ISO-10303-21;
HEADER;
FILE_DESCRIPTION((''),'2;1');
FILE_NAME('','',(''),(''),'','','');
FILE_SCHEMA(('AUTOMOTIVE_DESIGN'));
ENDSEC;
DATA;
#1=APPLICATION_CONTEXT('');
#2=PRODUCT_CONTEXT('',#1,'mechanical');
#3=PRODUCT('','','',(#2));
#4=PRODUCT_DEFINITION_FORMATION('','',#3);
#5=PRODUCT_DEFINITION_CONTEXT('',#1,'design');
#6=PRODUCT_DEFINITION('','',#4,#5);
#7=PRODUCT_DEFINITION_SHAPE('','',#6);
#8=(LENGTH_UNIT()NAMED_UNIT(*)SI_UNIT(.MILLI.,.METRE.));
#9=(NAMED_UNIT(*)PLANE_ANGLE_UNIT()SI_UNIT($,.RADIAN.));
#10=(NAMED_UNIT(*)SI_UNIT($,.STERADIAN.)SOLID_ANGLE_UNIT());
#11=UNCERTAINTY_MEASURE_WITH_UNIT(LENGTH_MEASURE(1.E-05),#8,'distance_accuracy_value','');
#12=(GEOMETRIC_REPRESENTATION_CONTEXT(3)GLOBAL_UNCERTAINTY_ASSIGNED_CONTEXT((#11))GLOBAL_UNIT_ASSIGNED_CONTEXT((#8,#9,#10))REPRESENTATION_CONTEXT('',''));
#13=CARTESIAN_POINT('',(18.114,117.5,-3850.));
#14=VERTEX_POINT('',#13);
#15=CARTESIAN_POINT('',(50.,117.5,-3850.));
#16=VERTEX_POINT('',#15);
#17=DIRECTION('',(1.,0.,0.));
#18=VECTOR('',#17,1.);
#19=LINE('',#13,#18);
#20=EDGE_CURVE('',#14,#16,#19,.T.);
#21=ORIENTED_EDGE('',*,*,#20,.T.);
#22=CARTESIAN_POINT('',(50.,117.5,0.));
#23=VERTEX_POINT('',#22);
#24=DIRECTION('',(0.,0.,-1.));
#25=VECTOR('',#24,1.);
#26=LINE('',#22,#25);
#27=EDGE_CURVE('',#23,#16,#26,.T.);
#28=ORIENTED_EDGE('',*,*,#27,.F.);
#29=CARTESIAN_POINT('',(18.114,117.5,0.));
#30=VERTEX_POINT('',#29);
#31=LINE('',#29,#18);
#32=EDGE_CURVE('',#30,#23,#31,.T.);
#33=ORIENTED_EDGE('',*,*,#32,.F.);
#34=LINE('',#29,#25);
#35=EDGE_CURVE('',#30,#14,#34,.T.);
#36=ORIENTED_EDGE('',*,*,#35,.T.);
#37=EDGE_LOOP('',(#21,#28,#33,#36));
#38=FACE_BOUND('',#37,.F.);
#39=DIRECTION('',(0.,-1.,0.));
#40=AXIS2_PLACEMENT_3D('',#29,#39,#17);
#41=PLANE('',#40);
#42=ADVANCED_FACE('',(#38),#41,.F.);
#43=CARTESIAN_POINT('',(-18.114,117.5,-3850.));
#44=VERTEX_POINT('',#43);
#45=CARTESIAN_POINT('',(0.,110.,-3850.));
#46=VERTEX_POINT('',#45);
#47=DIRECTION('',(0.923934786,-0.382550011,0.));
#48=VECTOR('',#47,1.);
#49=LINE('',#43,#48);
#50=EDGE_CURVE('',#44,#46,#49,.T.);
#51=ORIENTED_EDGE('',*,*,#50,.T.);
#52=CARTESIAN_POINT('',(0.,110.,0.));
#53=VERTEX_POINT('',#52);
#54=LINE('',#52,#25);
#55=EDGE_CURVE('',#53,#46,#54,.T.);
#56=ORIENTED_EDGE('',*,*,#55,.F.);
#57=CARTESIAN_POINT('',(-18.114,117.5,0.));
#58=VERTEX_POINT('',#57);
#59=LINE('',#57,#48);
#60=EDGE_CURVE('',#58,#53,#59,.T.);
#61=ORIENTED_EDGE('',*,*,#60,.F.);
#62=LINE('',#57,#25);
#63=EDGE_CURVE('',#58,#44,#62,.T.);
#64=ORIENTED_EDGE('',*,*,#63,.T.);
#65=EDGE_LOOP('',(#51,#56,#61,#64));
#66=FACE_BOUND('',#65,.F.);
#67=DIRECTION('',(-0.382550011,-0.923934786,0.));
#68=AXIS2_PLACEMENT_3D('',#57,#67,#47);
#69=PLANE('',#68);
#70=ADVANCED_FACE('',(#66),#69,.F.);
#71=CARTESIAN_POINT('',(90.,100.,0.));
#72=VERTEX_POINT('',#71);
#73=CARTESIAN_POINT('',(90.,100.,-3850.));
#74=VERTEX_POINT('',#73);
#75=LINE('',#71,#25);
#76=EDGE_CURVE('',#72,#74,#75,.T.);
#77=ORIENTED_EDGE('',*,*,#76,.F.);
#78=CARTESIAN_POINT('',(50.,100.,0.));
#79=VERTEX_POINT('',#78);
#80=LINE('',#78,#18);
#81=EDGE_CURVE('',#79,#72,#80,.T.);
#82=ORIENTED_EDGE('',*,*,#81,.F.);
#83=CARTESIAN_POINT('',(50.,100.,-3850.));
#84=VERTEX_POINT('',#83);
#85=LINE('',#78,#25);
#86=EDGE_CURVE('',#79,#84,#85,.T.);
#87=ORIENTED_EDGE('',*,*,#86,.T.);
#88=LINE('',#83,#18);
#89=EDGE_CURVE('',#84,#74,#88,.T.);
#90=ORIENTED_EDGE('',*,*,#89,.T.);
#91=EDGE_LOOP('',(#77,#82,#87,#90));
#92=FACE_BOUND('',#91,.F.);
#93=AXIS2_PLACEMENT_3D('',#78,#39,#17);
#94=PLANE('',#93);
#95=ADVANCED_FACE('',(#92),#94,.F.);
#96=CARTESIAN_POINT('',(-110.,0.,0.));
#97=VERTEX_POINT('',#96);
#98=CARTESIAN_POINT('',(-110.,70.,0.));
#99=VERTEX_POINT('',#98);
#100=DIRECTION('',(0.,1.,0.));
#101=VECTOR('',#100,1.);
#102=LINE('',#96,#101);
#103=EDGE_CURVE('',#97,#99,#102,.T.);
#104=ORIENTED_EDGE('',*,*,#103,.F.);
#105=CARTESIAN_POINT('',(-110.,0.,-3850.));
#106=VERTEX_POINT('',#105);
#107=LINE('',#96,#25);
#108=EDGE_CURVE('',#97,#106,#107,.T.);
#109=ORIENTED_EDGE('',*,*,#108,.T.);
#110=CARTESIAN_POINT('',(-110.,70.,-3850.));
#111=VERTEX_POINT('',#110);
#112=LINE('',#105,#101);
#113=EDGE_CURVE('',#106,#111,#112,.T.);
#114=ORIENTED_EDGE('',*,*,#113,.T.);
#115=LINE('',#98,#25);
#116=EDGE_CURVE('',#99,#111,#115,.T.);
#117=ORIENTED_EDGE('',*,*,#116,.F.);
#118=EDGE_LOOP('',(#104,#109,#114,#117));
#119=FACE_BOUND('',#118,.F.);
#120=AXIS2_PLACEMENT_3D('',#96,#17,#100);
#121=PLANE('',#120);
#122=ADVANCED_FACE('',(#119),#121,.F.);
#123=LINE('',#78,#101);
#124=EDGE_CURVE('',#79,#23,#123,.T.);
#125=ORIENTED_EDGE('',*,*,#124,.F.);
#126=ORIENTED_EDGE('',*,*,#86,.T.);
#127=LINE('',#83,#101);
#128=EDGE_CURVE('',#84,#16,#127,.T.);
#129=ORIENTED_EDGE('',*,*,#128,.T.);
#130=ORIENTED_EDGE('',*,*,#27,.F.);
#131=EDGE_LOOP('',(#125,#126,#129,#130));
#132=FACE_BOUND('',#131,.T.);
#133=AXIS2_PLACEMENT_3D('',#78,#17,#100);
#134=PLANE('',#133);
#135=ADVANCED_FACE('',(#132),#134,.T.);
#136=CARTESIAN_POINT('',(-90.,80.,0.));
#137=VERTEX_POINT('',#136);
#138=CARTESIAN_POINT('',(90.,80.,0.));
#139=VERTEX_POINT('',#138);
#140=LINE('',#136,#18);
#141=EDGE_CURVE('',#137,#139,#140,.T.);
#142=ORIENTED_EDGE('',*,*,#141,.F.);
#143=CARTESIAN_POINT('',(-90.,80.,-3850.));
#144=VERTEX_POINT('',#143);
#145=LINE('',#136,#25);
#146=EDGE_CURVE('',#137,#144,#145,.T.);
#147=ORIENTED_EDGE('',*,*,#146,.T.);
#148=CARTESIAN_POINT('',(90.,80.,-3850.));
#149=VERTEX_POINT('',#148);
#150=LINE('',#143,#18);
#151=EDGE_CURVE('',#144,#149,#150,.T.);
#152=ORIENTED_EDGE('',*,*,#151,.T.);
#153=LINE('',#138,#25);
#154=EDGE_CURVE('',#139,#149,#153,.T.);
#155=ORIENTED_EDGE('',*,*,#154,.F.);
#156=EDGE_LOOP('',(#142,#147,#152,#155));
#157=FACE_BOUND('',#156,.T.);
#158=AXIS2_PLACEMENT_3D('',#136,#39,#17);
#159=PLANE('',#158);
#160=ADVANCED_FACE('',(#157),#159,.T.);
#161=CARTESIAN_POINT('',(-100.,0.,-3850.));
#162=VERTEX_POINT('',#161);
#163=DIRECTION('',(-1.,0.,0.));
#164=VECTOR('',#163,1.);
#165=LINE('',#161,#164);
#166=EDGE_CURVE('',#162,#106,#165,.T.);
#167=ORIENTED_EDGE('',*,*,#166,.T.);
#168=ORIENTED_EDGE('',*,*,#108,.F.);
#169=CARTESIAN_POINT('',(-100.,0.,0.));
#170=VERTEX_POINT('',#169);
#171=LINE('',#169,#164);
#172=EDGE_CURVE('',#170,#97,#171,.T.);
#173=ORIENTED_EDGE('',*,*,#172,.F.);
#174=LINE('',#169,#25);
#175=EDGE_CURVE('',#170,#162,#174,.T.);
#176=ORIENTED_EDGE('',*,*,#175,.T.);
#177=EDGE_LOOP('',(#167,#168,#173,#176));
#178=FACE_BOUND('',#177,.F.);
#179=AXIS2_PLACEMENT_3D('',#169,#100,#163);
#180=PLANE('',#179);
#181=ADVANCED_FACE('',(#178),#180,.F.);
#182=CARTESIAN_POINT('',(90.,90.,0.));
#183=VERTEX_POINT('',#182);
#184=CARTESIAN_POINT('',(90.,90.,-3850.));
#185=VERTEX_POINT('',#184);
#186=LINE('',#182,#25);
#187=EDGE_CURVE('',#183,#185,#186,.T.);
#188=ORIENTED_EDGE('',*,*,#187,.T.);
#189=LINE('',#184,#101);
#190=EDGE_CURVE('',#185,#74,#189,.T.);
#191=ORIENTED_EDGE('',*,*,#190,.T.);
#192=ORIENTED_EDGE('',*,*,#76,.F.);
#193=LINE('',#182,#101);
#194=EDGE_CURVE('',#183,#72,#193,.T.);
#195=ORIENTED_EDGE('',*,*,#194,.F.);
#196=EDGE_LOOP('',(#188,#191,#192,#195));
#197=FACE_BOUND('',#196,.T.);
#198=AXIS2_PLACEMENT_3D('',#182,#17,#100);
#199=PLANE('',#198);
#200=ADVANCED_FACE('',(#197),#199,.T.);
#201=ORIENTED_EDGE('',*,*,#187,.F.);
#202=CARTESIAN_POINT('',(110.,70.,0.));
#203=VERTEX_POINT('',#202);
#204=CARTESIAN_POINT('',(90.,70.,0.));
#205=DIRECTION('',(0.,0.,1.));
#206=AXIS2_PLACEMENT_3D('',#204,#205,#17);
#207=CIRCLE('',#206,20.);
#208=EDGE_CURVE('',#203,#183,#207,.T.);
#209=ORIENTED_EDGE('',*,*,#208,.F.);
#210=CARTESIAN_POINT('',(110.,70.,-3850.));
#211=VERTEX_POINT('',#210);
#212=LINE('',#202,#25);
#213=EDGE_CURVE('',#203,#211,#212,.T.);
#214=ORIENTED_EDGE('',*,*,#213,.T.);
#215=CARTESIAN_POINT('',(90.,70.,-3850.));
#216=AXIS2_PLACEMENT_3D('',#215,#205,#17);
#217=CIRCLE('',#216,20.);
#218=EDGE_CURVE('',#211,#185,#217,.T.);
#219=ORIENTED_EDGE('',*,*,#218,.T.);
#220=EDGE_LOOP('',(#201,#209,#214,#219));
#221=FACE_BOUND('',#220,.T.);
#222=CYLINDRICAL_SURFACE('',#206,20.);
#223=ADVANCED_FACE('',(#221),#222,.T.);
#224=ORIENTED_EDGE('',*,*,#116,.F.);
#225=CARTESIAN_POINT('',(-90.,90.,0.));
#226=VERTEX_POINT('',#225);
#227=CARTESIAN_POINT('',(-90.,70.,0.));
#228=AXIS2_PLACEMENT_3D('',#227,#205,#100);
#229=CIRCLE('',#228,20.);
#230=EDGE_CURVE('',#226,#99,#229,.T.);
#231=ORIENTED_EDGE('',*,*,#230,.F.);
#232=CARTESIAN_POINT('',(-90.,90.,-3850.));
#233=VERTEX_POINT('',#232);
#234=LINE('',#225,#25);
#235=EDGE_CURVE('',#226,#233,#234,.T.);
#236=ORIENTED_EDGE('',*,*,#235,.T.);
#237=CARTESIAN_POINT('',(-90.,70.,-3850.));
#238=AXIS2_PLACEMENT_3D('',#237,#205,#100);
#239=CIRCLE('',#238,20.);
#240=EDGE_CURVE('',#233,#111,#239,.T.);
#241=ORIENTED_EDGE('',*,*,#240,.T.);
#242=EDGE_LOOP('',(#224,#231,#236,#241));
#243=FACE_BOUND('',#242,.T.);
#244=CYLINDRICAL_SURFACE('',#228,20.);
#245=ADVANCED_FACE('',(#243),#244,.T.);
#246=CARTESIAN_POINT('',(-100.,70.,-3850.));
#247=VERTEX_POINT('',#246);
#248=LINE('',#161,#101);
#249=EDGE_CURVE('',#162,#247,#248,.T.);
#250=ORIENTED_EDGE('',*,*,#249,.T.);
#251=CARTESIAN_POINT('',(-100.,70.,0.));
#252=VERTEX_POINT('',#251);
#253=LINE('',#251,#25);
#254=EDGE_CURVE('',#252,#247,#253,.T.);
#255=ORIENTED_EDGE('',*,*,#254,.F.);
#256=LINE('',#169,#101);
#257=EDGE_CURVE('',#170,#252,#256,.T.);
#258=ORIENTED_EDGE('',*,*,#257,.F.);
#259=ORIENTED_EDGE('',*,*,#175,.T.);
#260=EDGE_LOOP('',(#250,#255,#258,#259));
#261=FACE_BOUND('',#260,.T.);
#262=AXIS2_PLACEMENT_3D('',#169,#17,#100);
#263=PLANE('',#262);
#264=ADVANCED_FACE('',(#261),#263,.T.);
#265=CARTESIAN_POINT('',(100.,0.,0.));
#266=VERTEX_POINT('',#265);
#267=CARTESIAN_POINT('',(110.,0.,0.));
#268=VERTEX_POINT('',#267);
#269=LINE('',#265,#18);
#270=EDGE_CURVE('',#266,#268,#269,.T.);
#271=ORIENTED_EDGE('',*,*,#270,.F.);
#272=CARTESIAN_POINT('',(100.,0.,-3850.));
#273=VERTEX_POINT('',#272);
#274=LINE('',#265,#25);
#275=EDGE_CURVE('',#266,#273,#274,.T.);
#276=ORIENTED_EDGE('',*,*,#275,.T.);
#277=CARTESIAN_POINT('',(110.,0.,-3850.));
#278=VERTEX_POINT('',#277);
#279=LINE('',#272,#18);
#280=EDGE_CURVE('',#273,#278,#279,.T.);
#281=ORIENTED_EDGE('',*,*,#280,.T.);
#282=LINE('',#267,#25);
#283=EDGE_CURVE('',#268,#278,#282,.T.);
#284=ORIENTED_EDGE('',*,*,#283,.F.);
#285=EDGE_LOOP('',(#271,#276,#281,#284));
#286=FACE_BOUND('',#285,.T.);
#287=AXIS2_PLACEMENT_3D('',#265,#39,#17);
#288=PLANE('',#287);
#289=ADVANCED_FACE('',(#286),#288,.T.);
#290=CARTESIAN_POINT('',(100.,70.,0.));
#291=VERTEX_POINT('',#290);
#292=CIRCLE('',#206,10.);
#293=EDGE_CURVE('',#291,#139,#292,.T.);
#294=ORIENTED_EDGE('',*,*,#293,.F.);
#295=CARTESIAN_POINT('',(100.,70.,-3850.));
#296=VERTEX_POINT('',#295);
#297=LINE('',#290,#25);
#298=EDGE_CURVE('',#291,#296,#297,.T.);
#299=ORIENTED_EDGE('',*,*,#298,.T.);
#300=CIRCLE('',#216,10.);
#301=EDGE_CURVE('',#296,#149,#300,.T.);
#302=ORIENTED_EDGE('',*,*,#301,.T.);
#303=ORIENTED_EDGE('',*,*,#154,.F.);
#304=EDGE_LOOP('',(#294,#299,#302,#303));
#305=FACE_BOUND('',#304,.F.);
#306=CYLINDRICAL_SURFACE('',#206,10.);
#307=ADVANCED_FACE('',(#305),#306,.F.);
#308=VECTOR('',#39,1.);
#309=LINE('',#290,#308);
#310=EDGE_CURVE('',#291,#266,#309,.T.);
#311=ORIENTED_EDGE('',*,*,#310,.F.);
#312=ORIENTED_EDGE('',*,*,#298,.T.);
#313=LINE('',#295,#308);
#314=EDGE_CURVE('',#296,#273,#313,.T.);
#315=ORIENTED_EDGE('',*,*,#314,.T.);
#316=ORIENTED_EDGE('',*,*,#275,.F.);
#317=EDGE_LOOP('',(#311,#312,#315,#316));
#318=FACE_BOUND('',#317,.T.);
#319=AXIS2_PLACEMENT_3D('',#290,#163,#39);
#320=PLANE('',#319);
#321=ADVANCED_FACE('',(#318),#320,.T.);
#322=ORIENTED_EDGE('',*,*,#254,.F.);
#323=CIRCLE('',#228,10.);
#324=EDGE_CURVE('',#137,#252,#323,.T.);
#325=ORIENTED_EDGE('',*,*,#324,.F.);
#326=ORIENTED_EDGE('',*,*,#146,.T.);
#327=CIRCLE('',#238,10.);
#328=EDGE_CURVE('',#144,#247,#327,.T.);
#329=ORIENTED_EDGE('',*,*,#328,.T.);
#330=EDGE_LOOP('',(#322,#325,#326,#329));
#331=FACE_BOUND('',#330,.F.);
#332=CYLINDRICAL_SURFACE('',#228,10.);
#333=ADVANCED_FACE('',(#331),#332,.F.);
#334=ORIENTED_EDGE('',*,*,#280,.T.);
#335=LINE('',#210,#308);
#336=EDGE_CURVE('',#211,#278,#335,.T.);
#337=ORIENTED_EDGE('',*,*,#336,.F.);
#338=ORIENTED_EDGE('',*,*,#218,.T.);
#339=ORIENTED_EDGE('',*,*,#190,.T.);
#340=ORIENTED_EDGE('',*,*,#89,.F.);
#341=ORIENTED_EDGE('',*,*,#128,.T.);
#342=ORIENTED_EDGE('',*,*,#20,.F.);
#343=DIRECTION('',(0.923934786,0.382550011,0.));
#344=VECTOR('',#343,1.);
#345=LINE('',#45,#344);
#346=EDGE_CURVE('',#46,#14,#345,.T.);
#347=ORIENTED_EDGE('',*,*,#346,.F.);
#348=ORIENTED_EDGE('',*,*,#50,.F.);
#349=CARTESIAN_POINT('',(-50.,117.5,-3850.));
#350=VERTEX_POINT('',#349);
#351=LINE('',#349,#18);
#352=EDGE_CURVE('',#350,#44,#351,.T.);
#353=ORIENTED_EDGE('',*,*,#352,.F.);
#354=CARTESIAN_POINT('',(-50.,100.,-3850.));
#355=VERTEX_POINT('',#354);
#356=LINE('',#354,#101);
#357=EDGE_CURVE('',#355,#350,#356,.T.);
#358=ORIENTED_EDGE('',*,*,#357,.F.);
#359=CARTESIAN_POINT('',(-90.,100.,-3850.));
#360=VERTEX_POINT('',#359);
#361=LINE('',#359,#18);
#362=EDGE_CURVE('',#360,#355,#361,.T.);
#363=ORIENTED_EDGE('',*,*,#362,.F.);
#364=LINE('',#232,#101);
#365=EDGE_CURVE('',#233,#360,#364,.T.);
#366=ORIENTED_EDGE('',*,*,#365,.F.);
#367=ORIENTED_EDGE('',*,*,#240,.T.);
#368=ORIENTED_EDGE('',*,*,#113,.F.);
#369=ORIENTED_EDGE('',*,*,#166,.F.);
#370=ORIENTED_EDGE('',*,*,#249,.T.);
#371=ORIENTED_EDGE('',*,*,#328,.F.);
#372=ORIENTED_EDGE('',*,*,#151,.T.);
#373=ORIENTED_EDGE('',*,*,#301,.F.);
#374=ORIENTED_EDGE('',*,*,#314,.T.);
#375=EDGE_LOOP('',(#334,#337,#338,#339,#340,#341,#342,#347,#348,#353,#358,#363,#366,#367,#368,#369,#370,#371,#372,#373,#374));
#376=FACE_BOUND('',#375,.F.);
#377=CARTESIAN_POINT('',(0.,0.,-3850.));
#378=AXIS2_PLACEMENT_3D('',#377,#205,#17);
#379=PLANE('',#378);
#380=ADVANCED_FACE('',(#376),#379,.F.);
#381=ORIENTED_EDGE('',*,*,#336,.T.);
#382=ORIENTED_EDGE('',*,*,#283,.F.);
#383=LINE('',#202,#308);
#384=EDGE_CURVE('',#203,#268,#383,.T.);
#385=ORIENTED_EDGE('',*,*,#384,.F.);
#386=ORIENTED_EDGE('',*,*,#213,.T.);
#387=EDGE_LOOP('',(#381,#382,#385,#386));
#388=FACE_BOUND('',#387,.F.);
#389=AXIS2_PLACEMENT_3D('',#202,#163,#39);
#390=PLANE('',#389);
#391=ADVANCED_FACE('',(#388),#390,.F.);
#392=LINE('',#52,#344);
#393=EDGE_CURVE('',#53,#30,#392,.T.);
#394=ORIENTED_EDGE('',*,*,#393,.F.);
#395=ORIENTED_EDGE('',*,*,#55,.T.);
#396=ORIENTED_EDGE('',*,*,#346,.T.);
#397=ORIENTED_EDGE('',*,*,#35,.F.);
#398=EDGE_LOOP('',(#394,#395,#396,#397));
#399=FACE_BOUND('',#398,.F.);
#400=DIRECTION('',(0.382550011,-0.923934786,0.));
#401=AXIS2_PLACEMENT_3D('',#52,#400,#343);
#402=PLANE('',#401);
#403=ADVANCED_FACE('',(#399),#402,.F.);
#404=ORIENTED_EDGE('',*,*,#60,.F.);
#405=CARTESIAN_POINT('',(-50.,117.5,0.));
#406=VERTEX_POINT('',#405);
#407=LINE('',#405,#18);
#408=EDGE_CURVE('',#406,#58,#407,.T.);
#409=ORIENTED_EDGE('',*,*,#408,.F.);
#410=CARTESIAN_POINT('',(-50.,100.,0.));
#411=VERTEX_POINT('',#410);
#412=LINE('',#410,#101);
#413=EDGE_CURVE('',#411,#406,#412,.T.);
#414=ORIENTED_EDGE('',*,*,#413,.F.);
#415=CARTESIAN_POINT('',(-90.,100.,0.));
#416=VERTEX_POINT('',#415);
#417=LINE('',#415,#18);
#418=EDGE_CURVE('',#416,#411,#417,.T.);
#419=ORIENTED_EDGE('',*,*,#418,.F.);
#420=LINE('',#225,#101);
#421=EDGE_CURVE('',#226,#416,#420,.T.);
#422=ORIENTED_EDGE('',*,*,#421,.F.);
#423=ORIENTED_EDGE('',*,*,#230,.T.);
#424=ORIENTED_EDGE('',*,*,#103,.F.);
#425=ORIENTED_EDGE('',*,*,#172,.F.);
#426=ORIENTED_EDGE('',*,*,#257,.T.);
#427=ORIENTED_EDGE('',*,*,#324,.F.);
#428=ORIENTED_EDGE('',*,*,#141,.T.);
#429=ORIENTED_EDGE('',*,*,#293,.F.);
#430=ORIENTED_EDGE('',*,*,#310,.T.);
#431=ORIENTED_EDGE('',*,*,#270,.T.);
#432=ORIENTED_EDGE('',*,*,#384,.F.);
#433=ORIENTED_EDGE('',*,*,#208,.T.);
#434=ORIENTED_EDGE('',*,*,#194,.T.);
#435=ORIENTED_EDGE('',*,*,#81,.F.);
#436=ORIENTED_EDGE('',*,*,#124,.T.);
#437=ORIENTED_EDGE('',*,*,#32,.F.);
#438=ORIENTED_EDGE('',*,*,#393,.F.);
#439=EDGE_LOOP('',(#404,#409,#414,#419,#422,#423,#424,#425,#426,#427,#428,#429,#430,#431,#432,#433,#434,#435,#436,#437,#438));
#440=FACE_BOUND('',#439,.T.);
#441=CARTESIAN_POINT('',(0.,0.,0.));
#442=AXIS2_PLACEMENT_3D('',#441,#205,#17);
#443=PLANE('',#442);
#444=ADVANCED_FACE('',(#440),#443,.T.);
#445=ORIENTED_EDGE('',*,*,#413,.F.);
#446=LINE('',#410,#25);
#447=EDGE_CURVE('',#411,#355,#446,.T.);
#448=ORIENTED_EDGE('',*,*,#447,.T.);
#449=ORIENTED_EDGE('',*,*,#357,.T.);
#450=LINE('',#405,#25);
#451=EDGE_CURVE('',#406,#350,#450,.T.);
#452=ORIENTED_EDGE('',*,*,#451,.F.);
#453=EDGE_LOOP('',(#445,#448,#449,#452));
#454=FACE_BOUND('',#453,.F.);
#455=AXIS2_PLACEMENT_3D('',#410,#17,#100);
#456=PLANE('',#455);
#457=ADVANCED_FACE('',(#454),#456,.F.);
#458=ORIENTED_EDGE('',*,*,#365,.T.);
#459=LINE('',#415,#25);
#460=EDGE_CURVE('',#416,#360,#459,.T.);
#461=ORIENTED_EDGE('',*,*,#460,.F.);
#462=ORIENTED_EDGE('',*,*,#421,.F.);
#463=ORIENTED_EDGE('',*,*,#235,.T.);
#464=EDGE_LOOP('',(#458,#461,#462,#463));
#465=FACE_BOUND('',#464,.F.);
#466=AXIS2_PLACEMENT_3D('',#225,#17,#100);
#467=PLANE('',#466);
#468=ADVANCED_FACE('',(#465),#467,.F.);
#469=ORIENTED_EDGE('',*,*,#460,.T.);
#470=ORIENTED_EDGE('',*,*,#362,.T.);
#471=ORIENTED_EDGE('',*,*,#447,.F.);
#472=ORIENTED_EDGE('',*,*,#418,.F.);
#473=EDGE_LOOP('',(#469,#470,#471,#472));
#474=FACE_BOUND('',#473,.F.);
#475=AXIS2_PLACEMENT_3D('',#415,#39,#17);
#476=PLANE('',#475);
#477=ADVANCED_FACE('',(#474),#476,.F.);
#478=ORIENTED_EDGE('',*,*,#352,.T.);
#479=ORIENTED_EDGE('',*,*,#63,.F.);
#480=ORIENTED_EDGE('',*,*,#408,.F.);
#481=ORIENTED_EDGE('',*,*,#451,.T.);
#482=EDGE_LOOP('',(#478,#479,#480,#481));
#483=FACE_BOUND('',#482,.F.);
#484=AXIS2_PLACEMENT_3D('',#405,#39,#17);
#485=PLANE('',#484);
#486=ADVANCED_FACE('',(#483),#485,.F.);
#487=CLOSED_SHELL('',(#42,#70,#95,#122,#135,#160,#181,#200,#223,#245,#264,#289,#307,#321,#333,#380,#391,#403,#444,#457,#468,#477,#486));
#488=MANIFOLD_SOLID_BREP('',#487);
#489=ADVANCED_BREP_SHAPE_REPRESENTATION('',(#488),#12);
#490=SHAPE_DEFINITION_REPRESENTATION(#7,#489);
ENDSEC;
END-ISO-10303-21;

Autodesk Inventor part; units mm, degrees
ref_plane "YZ Plane" through (0, 0, 0) normal (1, 0, 0) x (0, 1, 0)
ref_plane "XZ Plane" through (0, 0, 0) normal (0, 1, 0) x (-1, 0, 0)
ref_plane "XY Plane" through (0, 0, 0) normal (0, 0, 1) x (1, 0, 0)
sketch "Sketch1" plane through (0, 0, 0) normal (0, 0, 1) x (1, 0, 0)
  line L0 (-100, 0) -> (-100, 70)
  line L1 (-90, 80) -> (90, 80)
  line L2 (100, 70) -> (100, 0)
  arc A0 (-90, 80) -> (-100, 70) centre (-90, 70) ccw
  arc A1 (100, 70) -> (90, 80) centre (90, 70) ccw
  line L3 (-110, 0) -> (-110, 70)
  arc A2 (-90, 90) -> (-110, 70) centre (-90, 70) ccw
  arc A3 (110, 70) -> (90, 90) centre (90, 70) ccw
  line L4 (110, 70) -> (110, 0)
  line L5 (100, 0) -> (110, 0)
  line L6 (-100, 0) -> (-110, 0)
  line L7 (-90, 90) -> (-90, 100)
  line L8 (90, 90) -> (90, 100)
  line L9 (-50, 100) -> (-50, 117.5)
  line L10 (50, 100) -> (50, 117.5)
  line L11 (-18.114, 117.5) -> (0, 110)
  line L12 (0, 110) -> (18.114, 117.5)
  line L13 (-50, 117.5) -> (-18.114, 117.5)
  line L14 (18.114, 117.5) -> (50, 117.5)
  line L15 (-90, 100) -> (-50, 100)
  line L16 (50, 100) -> (90, 100)
  point P0 (0, 0)
  dimension "d0" = 100
  dimension "d1" = 100
  dimension "d2" = 80
  dimension "d4" = 10
  dimension "d5" = 10
  dimension "d24" = 10
  dimension "d25" = 50
  dimension "d26" = 50
  dimension "d31" = 31.886
  dimension "d33" = 50
  dimension "d37" = 10
  dimension "d38" = 20
  dimension "d39" = 20
  dimension "d40" = 17.5
  dimension "d41" = 17.5
extrude "Extrusion1" add sketch "Sketch1" against normal blind 3850
equation "\"d26\" = d25"
equation "\"d33\" = d25"
equation "\"d39\" = d38"
equation "\"d41\" = d40"
equation "\"d36\" = d34"
equation "\"d34\" = 75"
properties part number "Base soporte tubos"
